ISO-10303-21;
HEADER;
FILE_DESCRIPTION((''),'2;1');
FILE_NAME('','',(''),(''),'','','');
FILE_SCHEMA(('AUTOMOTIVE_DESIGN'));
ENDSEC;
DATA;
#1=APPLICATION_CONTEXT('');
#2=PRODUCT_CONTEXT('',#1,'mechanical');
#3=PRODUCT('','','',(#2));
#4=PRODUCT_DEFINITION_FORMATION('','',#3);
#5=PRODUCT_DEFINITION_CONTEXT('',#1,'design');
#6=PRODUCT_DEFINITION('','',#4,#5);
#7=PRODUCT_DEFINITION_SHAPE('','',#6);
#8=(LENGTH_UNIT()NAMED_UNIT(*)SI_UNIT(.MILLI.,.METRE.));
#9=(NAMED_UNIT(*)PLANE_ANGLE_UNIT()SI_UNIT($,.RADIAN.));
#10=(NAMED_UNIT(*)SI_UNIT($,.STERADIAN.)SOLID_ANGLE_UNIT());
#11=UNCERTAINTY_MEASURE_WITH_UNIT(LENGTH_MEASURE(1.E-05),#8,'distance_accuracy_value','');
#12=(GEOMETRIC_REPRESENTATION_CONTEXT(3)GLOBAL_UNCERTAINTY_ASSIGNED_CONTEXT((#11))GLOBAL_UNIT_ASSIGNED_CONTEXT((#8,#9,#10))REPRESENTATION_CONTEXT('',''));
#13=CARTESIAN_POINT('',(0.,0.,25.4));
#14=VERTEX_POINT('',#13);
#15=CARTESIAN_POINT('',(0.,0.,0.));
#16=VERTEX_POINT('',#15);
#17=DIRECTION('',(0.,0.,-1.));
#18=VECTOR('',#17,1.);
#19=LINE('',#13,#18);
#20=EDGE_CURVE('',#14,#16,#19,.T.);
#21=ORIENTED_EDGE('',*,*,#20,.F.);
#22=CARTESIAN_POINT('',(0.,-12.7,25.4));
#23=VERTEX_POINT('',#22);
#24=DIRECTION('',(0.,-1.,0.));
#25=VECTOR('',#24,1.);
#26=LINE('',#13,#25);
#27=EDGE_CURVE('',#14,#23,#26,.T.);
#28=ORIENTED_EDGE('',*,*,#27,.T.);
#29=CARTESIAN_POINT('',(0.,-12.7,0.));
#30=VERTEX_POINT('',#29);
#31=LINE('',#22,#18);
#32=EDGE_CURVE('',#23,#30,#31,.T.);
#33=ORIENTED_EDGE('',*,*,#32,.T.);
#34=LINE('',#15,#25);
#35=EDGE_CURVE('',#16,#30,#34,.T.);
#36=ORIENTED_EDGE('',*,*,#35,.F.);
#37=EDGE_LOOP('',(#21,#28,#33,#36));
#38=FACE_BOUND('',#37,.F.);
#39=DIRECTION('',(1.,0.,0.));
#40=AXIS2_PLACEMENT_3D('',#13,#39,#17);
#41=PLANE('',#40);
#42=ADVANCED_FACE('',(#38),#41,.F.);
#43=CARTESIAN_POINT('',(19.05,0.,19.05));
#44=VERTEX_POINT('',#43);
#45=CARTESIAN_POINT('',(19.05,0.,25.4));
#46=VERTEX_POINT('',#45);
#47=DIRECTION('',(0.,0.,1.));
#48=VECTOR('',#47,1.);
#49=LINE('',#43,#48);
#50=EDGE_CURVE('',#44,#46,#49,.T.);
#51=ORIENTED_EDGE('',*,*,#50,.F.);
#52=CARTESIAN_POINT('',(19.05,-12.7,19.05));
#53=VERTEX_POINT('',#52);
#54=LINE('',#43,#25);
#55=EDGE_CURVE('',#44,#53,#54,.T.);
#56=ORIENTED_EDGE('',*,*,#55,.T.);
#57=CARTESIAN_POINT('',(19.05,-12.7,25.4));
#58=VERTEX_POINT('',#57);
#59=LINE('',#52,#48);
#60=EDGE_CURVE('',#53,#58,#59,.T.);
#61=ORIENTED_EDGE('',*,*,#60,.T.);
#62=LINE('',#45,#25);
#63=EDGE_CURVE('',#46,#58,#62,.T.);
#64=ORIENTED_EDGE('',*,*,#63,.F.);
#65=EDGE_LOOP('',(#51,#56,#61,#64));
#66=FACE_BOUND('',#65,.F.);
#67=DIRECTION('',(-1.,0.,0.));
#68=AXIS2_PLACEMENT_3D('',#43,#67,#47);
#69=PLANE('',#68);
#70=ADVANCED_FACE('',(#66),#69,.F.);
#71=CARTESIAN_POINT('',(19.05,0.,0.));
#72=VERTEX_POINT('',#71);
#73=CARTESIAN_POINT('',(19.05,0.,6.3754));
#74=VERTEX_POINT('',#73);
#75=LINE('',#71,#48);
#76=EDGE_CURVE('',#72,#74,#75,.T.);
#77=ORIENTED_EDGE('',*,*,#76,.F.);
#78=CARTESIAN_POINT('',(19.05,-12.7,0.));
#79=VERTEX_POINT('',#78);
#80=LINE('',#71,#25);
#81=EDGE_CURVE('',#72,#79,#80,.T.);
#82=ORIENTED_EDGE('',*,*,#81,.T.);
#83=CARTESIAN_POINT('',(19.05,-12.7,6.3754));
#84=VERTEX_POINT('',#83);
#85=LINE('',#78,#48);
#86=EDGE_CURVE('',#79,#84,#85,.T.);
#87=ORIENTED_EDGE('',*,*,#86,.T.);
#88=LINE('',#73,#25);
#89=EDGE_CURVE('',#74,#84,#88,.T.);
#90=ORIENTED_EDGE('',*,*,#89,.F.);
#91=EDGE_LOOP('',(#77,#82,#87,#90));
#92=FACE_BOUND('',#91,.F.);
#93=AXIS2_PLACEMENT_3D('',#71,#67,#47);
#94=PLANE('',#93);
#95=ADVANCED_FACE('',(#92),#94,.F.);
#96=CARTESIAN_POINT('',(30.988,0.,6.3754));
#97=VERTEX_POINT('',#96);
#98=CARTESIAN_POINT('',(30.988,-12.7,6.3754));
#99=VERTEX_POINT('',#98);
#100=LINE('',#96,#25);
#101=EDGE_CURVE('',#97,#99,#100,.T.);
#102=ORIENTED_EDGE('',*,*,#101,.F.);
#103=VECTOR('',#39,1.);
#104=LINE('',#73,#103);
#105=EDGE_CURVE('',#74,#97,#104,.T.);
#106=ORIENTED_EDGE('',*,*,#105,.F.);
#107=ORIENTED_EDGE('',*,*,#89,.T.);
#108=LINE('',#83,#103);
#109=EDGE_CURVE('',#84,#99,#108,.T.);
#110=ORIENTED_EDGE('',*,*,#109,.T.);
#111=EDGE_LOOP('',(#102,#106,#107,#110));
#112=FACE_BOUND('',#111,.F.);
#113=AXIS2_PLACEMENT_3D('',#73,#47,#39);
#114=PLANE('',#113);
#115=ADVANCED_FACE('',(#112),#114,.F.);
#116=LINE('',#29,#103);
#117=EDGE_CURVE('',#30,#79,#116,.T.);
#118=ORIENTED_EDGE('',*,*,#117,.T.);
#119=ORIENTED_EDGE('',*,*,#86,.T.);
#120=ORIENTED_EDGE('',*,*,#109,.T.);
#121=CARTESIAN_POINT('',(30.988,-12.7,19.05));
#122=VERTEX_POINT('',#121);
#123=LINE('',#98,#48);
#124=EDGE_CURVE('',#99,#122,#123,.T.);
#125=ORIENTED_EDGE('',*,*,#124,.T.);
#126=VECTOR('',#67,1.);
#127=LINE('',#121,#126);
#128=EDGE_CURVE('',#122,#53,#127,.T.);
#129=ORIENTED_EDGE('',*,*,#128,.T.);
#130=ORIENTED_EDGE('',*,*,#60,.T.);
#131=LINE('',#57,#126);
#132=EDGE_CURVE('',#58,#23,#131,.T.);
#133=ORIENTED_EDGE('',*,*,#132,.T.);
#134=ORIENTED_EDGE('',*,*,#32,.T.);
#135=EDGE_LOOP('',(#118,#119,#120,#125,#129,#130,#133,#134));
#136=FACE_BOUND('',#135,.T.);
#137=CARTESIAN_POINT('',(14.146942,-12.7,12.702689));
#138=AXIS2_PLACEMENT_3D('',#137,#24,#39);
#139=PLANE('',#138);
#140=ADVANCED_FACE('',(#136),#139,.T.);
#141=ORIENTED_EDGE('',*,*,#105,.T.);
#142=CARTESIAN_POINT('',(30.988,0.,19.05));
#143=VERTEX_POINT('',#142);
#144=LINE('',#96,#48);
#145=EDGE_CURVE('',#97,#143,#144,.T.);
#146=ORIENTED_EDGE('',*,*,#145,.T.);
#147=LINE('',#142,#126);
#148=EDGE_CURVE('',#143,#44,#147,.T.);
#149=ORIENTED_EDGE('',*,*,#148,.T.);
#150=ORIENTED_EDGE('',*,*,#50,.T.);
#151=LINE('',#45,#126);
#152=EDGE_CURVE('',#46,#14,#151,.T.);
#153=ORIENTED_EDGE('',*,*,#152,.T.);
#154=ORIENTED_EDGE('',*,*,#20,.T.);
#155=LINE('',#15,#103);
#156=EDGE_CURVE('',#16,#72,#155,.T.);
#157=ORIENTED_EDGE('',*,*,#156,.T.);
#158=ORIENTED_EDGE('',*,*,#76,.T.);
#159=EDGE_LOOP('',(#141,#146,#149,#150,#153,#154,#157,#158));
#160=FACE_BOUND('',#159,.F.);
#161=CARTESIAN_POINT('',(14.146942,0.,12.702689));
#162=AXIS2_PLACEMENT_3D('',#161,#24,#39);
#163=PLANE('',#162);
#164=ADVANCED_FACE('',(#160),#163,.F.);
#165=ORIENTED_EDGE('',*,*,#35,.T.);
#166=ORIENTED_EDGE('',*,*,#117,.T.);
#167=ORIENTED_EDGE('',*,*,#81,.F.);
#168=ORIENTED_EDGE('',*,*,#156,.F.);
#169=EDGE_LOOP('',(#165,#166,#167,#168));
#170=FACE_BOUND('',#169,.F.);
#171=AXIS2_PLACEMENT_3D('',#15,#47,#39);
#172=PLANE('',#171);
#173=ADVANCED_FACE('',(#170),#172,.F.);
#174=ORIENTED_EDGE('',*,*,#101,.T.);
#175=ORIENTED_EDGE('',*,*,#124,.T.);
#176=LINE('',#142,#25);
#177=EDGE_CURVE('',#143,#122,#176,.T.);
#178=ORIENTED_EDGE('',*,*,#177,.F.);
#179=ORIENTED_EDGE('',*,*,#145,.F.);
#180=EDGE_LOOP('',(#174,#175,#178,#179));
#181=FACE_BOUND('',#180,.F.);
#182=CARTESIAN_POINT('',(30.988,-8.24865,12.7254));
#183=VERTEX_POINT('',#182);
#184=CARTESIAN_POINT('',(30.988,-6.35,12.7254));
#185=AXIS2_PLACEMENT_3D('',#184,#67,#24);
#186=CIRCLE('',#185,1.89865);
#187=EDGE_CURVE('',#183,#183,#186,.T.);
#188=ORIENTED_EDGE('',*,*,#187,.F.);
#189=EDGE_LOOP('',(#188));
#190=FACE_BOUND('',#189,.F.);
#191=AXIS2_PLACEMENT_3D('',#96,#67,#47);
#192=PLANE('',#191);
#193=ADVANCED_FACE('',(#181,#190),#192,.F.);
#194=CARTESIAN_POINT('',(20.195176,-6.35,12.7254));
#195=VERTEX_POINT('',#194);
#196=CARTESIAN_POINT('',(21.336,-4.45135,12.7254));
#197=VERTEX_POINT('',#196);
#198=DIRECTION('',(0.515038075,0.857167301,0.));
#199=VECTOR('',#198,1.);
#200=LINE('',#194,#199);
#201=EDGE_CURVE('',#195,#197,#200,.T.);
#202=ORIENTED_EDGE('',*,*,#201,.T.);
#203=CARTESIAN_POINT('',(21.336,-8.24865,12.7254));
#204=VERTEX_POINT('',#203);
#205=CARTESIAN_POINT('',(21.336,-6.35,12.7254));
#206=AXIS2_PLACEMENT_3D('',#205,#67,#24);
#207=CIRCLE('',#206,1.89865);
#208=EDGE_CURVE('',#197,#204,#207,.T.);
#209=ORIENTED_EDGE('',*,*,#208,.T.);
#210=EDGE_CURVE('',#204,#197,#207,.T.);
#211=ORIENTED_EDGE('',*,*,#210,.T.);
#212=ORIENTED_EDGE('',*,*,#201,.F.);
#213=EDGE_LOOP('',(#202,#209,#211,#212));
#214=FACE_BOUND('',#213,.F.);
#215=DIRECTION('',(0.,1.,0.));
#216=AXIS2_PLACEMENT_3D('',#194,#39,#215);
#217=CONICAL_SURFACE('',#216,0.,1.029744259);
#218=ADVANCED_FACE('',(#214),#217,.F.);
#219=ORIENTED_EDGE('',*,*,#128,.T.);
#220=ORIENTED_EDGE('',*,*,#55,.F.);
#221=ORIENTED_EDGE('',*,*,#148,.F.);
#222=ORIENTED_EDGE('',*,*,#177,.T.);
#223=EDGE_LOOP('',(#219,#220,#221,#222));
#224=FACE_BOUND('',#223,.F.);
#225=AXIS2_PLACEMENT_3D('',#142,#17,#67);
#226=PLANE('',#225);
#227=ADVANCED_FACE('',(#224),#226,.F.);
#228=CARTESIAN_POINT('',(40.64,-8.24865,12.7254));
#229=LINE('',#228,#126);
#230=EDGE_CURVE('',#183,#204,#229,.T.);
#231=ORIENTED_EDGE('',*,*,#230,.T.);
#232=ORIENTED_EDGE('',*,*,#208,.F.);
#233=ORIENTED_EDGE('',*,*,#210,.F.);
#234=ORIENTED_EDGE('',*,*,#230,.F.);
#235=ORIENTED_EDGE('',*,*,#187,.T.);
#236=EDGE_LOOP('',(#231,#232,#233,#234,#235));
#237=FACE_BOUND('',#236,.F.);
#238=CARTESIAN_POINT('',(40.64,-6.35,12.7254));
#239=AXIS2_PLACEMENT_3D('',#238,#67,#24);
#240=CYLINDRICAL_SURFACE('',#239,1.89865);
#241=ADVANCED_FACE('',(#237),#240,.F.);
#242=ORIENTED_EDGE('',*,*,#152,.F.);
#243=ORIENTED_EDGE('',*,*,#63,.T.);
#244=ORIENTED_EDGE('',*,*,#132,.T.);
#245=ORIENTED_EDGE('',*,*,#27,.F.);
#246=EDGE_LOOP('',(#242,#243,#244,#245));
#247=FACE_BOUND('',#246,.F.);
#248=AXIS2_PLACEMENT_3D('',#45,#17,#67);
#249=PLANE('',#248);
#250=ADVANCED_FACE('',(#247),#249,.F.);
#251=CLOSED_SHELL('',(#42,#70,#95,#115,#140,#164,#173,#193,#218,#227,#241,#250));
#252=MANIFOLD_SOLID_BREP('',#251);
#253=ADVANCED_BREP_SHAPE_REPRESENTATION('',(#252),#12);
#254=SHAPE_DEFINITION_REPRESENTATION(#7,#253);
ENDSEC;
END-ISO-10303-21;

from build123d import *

# Parameters (mm, degrees)
F1_DEPTH = 12.7
F3_D     = 3.7973
F3_DEPTH = 9.652
F3_TIP   = 1.1408240143


with BuildPart() as f1:
    # F0 (on Front) → F1 (new body)
    with BuildSketch(Plane.XZ):
        Polygon((0, 25.4), (0, 0), (19.05, 0), (19.05, 6.3754), (30.988, 6.3754), (30.988, 19.05), (19.05, 19.05), (19.05, 25.4), align=None)
    extrude(amount=F1_DEPTH)

    # F3
    with Locations(Plane.YZ.offset(30.988)):
        with Locations((-6.35, 12.7254)):
            Hole(F3_D / 2, depth=F3_DEPTH)
            with Locations((0, 0, -(F3_DEPTH + F3_TIP / 2))):  # 118° drill point
                Cone(0, F3_D / 2, F3_TIP, mode=Mode.SUBTRACT)


solid = f1.part
